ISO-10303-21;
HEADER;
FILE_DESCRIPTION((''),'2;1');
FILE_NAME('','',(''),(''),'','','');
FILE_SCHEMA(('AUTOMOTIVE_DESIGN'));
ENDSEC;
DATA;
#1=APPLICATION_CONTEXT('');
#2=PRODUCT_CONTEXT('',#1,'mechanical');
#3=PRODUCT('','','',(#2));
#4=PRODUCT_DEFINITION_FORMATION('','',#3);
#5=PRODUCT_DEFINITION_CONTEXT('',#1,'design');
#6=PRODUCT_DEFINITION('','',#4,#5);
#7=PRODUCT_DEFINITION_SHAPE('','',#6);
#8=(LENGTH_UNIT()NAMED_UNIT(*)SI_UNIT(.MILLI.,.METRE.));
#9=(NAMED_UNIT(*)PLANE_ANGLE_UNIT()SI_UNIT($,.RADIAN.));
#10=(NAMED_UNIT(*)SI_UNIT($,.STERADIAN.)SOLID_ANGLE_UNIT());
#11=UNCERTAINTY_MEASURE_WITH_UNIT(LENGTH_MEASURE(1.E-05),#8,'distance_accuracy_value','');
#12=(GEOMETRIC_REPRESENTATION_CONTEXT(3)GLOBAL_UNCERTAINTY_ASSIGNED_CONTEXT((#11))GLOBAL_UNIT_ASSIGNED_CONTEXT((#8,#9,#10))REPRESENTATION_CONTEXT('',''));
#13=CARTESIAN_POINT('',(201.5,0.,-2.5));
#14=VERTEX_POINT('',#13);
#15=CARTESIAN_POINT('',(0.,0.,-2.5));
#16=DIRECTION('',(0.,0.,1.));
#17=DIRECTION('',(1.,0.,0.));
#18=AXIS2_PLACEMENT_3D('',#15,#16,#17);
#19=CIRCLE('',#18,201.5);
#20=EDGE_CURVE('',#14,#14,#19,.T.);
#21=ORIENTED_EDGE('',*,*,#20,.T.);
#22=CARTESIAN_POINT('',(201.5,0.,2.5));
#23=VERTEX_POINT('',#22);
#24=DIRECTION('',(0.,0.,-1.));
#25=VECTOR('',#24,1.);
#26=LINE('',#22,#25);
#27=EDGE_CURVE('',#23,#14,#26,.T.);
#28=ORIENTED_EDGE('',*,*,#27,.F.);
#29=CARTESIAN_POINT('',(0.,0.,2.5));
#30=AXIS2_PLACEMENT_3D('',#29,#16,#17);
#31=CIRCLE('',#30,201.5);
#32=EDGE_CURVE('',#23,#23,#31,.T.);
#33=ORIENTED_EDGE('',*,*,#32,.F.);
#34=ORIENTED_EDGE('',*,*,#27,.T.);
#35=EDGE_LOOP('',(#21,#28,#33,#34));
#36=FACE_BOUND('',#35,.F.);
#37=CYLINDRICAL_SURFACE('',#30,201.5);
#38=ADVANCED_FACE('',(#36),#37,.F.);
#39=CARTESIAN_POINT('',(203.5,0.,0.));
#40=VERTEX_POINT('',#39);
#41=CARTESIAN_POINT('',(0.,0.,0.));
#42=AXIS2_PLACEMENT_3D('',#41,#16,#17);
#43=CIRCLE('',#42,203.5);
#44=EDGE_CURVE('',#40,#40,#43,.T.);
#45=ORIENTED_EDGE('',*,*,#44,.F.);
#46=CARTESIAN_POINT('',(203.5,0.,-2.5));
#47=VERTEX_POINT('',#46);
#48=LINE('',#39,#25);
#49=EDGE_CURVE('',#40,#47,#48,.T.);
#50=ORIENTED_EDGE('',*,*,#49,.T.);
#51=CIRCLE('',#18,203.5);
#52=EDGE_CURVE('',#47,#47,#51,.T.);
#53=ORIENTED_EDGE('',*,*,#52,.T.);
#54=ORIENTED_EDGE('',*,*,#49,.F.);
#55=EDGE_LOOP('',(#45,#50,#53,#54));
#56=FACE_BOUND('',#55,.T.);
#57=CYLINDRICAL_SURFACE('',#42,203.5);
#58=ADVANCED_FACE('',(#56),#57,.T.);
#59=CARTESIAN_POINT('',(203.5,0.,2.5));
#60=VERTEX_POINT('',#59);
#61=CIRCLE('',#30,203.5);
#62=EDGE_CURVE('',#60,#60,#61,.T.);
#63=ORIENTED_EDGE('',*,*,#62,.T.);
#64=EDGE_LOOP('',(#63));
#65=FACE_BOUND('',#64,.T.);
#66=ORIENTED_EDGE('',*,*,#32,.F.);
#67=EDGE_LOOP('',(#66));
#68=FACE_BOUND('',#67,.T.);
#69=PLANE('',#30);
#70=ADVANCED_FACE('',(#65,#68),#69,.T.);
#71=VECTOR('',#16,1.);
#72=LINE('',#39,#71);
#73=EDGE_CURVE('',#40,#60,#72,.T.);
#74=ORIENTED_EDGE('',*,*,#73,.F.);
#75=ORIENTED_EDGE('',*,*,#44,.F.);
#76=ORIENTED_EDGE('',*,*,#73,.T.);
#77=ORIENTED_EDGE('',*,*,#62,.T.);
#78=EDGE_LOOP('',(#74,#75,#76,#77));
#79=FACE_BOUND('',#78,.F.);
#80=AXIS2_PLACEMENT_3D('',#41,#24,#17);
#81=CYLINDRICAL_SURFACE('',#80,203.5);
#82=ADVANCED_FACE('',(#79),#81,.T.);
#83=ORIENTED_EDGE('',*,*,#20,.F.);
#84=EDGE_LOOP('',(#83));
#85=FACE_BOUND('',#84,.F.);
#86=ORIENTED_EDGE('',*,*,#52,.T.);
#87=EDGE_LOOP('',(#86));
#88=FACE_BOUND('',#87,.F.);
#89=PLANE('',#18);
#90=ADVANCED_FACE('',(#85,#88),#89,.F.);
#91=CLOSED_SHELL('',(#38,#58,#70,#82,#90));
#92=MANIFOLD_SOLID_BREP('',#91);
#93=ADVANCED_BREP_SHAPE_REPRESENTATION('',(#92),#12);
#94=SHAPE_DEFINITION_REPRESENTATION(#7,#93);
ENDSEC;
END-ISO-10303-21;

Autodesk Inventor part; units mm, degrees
ref_plane "YZ Plane" through (0, 0, 0) normal (1, 0, 0) x (0, 1, 0)
ref_plane "XZ Plane" through (0, 0, 0) normal (0, 1, 0) x (-1, 0, 0)
ref_plane "XY Plane" through (0, 0, 0) normal (0, 0, 1) x (1, 0, 0)
sketch "Sketch1" plane through (0, 0, 0) normal (0, 0, 1) x (1, 0, 0)
  circle A0 centre (0, 0) radius 203.5
  dimension "d0" = 407
extrude "Extrusion1" add sketch "Sketch1" along normal mid plane 5
sketch "Sketch2" plane through (0, 0, 2.5) normal (0, 0, 1) x (1, 0, 0)
  circle A0 centre (0, 0) radius 201.5
  dimension "d3" = 403
extrude "Extrusion2" cut sketch "Sketch2" against normal through all
properties part number "ALPHA-II-AT_5"
